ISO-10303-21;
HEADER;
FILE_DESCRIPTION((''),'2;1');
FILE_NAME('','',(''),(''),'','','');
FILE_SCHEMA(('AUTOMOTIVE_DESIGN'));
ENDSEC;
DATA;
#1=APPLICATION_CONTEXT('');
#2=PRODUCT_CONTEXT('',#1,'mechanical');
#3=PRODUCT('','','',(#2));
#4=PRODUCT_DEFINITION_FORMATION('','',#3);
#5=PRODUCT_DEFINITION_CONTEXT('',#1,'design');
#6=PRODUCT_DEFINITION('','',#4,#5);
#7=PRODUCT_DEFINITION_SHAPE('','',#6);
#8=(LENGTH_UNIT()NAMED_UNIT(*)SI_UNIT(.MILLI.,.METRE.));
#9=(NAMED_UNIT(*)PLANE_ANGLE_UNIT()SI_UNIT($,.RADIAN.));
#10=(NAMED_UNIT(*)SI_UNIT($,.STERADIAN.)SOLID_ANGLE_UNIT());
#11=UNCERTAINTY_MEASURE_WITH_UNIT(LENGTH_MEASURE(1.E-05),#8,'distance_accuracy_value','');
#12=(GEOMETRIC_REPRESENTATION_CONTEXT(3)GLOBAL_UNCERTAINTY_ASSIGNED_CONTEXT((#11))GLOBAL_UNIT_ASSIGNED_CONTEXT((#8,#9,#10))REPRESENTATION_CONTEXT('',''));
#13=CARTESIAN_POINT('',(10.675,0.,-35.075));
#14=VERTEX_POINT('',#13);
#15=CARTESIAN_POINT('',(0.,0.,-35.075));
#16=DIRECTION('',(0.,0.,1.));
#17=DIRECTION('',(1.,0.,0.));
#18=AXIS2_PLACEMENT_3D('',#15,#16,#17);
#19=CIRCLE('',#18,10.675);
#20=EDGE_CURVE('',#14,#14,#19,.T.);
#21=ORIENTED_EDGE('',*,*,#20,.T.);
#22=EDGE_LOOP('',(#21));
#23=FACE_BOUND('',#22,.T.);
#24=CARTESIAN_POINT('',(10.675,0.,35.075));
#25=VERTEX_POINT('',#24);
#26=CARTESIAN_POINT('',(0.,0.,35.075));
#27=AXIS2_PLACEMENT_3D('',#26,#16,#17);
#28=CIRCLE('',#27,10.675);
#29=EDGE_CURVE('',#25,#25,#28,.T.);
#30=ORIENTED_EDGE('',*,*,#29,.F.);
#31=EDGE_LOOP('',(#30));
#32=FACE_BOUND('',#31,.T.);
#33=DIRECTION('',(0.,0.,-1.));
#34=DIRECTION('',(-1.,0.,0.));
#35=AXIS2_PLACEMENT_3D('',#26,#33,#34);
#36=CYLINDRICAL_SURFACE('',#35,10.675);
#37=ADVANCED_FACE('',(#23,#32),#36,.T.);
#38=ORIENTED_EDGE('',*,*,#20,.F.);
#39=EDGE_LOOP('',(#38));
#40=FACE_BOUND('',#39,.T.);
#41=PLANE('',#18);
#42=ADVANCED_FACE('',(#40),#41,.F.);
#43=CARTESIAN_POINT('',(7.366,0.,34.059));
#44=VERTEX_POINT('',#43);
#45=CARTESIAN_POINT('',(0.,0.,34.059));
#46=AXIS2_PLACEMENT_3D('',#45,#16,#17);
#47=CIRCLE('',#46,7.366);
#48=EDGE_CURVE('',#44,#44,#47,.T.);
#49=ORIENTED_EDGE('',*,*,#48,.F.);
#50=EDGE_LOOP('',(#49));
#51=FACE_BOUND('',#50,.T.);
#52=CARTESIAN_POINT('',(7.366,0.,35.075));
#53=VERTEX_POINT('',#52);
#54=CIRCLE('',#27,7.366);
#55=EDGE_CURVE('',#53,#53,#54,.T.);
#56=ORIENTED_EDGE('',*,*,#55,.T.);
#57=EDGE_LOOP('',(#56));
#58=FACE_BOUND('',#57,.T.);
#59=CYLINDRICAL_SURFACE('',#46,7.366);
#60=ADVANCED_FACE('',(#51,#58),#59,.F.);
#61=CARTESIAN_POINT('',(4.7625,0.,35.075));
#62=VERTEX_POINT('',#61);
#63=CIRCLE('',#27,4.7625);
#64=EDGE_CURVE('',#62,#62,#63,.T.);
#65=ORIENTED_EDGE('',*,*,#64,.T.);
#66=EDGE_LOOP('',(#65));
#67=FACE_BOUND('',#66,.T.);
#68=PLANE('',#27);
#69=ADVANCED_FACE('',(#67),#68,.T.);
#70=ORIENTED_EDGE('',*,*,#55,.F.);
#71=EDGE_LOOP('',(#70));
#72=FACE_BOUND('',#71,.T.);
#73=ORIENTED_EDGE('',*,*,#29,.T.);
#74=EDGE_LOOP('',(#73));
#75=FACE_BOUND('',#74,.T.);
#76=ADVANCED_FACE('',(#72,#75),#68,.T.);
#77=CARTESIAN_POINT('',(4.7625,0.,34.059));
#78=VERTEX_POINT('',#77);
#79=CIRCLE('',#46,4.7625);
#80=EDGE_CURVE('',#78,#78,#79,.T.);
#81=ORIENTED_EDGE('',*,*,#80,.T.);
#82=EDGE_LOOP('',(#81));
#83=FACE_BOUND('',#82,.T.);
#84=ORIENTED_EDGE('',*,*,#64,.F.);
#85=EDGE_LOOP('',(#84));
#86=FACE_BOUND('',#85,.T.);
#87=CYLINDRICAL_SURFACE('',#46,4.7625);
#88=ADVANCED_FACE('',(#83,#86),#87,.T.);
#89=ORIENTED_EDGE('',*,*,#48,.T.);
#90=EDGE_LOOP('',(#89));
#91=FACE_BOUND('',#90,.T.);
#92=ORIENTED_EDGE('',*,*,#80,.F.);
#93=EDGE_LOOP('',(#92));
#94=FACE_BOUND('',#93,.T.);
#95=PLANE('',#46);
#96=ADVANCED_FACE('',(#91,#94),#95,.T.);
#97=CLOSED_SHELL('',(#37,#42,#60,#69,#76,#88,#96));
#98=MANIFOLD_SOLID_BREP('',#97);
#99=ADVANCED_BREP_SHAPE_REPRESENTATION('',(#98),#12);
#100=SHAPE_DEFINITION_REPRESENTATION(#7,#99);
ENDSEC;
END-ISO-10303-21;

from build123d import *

# Parameters (mm, degrees)
SKETCH1_R           = 10.674999986
BOSS_EXTRUDE1_DEPTH = 35.075
SKETCH2_R           = 7.366
SKETCH2_R_2         = 4.7625
CUT_EXTRUDE1_DEPTH  = 1.016


with BuildPart() as part:
    # Sketch1 → Boss-Extrude1 (new, symmetric)
    with BuildSketch(Plane.XY):
        Circle(SKETCH1_R)
    extrude(amount=BOSS_EXTRUDE1_DEPTH, both=True)

    # Sketch2 → Cut-Extrude1 (cut)
    with BuildSketch(Plane.XY.offset(35.075)):
        Circle(SKETCH2_R)
        Circle(SKETCH2_R_2, mode=Mode.SUBTRACT)
    extrude(amount=-CUT_EXTRUDE1_DEPTH, mode=Mode.SUBTRACT)


solid = part.part
